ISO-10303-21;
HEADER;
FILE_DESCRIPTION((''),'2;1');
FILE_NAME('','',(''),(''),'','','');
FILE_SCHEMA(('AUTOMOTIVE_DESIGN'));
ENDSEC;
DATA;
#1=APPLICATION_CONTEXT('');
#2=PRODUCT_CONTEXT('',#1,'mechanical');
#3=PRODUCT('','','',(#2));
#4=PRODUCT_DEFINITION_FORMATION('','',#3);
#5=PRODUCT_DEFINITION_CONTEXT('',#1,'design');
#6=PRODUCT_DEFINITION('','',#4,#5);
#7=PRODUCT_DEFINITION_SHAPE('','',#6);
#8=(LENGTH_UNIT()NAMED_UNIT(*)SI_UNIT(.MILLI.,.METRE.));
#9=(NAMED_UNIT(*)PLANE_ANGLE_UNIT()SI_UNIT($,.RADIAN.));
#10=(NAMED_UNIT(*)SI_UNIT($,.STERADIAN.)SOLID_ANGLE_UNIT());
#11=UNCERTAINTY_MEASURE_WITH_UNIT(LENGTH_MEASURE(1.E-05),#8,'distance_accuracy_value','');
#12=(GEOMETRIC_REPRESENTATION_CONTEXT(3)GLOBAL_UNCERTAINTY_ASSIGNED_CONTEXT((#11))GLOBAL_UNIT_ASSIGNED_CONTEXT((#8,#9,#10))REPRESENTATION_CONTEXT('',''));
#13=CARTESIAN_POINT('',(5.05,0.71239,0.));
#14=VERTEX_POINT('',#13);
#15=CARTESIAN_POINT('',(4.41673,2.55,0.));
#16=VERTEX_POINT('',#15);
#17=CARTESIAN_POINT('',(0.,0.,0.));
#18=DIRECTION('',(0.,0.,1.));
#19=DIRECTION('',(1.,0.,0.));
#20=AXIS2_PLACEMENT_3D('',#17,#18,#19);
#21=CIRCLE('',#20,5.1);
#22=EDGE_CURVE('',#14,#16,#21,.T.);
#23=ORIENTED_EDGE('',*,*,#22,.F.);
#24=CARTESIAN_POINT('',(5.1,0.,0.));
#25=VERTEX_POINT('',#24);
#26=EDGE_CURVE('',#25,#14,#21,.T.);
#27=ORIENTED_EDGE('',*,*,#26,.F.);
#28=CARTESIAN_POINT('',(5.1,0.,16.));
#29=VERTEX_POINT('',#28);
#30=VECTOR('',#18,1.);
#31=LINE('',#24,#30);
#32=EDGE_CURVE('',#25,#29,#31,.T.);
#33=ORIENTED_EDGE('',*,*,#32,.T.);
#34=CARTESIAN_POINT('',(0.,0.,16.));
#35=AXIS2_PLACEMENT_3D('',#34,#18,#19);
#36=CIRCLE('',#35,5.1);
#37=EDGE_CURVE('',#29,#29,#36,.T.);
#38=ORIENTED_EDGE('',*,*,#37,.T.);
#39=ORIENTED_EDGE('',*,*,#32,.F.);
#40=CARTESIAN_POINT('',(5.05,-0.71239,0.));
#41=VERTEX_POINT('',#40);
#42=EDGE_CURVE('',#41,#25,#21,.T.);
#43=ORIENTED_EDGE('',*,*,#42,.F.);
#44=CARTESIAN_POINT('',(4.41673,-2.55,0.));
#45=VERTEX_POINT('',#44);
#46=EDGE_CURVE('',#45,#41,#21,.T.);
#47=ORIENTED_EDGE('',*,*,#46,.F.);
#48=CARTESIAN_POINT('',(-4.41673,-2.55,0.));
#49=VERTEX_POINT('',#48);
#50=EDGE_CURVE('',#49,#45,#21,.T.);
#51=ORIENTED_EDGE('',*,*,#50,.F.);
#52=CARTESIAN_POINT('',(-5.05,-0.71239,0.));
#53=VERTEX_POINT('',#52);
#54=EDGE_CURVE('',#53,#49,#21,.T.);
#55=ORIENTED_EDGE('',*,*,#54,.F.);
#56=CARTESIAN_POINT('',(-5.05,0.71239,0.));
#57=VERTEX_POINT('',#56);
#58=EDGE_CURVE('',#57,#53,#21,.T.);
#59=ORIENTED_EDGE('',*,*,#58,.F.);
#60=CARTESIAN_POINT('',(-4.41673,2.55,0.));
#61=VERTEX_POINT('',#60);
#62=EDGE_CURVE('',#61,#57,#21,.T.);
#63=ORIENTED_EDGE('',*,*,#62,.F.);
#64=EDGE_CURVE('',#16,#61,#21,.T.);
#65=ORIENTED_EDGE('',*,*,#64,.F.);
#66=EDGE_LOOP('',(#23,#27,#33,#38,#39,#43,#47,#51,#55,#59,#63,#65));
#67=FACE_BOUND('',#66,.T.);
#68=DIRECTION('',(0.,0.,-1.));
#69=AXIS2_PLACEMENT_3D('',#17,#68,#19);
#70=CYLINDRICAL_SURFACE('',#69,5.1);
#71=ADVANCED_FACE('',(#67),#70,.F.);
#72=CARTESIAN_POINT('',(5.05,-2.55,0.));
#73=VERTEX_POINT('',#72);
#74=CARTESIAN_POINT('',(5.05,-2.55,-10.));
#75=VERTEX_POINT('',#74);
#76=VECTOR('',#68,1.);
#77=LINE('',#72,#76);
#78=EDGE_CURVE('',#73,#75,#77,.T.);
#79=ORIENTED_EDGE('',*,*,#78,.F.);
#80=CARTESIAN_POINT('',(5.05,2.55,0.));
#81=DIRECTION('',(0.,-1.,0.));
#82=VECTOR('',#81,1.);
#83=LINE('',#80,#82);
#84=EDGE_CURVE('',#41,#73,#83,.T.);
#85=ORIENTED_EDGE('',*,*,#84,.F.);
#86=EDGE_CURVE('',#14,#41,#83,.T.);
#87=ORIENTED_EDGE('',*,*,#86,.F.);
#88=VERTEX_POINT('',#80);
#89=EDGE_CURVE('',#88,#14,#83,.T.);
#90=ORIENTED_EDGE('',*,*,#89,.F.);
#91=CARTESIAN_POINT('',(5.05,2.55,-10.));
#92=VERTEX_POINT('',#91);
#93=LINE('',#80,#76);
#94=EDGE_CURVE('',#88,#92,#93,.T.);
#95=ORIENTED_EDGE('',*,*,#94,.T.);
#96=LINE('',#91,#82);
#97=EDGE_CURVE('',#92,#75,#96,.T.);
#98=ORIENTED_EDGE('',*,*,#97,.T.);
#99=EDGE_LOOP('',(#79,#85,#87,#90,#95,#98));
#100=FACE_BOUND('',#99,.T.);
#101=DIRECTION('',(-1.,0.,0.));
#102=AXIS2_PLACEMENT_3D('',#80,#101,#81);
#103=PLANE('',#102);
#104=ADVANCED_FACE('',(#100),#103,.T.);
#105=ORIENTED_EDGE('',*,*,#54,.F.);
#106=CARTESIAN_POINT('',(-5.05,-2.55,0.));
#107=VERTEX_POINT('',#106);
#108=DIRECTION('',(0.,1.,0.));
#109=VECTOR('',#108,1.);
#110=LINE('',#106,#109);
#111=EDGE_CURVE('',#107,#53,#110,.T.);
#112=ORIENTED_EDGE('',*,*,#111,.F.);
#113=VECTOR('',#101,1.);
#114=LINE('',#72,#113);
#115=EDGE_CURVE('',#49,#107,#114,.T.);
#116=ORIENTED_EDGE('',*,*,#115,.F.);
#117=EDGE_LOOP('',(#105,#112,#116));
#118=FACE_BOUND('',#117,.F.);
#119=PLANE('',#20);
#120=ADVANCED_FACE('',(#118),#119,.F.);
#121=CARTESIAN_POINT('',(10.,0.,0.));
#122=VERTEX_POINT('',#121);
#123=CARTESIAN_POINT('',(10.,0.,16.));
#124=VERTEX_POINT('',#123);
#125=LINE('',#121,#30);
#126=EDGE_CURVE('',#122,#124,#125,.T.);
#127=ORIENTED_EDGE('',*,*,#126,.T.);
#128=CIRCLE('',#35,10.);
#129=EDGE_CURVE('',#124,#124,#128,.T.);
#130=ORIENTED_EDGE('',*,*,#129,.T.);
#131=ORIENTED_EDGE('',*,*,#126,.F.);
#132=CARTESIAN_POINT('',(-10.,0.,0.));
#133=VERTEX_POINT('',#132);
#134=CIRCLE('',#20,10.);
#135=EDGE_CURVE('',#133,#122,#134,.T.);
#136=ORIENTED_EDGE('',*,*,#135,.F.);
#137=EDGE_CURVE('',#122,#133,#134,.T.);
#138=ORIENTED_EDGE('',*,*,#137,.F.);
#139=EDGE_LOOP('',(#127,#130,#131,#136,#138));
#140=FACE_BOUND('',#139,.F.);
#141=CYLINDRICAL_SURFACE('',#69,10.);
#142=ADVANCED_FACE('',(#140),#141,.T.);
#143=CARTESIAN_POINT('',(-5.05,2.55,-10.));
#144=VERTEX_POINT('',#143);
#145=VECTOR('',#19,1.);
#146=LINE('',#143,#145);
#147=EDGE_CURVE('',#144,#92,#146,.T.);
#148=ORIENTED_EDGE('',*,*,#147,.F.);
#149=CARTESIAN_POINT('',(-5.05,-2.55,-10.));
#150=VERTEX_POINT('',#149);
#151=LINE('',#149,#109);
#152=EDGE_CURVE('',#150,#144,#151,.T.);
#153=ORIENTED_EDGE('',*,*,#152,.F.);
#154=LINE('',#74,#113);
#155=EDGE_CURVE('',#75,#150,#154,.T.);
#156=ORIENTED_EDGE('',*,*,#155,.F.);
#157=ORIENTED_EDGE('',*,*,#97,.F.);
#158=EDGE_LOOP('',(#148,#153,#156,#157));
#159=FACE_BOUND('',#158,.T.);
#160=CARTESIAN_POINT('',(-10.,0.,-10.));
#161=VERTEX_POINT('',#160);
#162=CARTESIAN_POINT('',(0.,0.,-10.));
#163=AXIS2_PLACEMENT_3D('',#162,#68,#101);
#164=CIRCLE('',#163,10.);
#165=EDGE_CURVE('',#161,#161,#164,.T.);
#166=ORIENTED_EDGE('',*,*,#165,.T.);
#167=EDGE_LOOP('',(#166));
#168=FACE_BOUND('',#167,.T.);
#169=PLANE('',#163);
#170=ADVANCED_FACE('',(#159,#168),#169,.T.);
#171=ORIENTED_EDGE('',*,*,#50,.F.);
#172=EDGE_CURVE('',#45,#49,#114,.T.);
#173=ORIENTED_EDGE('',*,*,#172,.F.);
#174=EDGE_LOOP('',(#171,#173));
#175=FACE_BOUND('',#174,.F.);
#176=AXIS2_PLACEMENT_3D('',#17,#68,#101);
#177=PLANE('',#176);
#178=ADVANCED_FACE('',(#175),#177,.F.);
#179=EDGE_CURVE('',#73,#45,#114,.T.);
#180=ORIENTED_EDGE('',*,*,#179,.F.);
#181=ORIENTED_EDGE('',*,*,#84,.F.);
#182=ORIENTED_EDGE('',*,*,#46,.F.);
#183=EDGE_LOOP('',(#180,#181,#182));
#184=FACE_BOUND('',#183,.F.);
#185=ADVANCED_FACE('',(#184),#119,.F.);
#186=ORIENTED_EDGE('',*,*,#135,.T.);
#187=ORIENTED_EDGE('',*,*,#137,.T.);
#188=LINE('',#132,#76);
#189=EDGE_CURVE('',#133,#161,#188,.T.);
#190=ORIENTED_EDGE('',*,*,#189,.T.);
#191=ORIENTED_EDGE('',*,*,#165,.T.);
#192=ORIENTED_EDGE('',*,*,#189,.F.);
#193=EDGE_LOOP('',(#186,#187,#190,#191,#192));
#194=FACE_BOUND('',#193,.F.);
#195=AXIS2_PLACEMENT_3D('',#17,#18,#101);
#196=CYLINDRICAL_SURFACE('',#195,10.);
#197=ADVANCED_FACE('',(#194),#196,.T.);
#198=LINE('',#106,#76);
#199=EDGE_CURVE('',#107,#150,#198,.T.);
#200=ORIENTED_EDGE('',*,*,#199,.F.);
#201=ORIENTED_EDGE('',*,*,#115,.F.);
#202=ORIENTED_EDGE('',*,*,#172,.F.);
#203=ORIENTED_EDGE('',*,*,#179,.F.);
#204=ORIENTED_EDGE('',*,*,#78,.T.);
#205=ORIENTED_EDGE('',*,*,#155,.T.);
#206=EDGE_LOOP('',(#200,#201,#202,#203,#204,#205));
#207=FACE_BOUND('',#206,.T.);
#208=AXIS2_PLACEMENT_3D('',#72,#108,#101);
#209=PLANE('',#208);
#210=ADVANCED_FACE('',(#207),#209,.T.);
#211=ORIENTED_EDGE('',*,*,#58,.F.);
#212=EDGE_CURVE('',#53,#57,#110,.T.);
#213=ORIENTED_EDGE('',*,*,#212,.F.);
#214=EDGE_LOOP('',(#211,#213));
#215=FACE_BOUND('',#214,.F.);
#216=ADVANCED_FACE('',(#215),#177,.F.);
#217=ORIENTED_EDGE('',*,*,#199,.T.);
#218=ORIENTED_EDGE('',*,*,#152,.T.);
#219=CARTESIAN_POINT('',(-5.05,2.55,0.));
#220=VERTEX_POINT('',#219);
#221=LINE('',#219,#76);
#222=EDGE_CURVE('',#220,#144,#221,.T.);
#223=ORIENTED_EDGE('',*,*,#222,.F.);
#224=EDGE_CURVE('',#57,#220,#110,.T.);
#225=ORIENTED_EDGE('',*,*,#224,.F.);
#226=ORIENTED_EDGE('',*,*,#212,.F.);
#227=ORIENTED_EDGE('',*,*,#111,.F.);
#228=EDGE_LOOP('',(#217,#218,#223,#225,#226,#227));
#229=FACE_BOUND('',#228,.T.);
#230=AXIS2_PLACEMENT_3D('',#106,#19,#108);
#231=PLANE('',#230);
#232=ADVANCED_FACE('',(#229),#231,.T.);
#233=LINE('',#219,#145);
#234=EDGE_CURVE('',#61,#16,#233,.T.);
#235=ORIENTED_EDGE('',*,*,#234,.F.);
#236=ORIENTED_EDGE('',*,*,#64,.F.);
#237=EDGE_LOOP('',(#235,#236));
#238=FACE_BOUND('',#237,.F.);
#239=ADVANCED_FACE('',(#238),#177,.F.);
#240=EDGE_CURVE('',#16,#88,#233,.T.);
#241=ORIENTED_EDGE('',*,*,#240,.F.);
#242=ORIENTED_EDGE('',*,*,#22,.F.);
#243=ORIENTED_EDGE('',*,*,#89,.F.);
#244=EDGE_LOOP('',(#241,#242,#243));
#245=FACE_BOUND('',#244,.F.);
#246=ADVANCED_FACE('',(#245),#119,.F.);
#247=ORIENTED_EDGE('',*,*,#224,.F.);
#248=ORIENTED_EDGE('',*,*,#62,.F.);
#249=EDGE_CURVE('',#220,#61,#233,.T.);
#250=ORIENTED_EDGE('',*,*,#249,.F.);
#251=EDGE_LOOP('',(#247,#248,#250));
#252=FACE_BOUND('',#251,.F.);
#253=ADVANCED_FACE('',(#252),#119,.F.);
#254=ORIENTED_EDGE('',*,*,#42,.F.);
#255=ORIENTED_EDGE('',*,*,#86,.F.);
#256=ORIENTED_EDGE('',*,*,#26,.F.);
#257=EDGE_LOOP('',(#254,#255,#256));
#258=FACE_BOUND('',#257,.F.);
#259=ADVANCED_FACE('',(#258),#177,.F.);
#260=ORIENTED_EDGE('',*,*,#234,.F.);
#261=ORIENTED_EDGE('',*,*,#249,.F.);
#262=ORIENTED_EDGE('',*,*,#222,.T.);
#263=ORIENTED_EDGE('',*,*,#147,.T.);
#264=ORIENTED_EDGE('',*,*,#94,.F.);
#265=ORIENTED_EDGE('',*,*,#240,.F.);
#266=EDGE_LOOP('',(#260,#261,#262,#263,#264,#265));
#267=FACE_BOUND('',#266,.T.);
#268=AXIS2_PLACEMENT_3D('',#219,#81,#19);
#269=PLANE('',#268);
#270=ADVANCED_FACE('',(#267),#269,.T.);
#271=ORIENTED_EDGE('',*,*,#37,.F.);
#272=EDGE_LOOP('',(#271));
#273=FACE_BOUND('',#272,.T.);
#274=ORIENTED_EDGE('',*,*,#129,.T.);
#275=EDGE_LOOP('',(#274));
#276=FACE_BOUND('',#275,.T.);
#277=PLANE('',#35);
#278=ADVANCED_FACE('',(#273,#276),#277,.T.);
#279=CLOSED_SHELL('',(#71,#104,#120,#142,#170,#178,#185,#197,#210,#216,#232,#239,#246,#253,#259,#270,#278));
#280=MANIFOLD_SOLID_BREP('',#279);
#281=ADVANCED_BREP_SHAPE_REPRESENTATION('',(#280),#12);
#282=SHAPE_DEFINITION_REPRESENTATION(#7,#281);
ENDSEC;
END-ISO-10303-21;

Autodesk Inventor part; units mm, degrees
ref_plane "YZ Plane" through (0, 0, 0) normal (1, 0, 0) x (0, 1, 0)
ref_plane "XZ Plane" through (0, 0, 0) normal (0, 1, 0) x (-1, 0, 0)
ref_plane "XY Plane" through (0, 0, 0) normal (0, 0, 1) x (1, 0, 0)
sketch "Skizze1" plane through (0, 0, 0) normal (0, 0, 1) x (1, 0, 0)
  circle A0 centre (0, 0) radius 10
  circle A1 centre (0, 0) radius 5.1
  line L0 (0, 0) -> (0, 25.1367) construction
  dimension "d0" = 20
  dimension "d1" = 10.2
extrude "Extrusion1" add sketch "Skizze1" along normal blind 16
sketch "Skizze2" plane through (0, 0, 0) normal (0, 0, -1) x (-1, 0, 0)
  circle A0 centre (0, 0) radius 10
  line L0 (5.05, 2.55) -> (-5.05, 2.55)
  line L1 (-5.05, 2.55) -> (-5.05, -2.55)
  line L2 (-5.05, -2.55) -> (5.05, -2.55)
  line L3 (5.05, -2.55) -> (5.05, 2.55)
  dimension "d9" = 20
  dimension "d10" = 10.1
  dimension "d11" = 5.1
  dimension "d12" = 5.05
  dimension "d13" = 2.55
extrude "Extrusion2" add sketch "Skizze2" along normal blind 10
properties part number "StangePotiAdapter1"
